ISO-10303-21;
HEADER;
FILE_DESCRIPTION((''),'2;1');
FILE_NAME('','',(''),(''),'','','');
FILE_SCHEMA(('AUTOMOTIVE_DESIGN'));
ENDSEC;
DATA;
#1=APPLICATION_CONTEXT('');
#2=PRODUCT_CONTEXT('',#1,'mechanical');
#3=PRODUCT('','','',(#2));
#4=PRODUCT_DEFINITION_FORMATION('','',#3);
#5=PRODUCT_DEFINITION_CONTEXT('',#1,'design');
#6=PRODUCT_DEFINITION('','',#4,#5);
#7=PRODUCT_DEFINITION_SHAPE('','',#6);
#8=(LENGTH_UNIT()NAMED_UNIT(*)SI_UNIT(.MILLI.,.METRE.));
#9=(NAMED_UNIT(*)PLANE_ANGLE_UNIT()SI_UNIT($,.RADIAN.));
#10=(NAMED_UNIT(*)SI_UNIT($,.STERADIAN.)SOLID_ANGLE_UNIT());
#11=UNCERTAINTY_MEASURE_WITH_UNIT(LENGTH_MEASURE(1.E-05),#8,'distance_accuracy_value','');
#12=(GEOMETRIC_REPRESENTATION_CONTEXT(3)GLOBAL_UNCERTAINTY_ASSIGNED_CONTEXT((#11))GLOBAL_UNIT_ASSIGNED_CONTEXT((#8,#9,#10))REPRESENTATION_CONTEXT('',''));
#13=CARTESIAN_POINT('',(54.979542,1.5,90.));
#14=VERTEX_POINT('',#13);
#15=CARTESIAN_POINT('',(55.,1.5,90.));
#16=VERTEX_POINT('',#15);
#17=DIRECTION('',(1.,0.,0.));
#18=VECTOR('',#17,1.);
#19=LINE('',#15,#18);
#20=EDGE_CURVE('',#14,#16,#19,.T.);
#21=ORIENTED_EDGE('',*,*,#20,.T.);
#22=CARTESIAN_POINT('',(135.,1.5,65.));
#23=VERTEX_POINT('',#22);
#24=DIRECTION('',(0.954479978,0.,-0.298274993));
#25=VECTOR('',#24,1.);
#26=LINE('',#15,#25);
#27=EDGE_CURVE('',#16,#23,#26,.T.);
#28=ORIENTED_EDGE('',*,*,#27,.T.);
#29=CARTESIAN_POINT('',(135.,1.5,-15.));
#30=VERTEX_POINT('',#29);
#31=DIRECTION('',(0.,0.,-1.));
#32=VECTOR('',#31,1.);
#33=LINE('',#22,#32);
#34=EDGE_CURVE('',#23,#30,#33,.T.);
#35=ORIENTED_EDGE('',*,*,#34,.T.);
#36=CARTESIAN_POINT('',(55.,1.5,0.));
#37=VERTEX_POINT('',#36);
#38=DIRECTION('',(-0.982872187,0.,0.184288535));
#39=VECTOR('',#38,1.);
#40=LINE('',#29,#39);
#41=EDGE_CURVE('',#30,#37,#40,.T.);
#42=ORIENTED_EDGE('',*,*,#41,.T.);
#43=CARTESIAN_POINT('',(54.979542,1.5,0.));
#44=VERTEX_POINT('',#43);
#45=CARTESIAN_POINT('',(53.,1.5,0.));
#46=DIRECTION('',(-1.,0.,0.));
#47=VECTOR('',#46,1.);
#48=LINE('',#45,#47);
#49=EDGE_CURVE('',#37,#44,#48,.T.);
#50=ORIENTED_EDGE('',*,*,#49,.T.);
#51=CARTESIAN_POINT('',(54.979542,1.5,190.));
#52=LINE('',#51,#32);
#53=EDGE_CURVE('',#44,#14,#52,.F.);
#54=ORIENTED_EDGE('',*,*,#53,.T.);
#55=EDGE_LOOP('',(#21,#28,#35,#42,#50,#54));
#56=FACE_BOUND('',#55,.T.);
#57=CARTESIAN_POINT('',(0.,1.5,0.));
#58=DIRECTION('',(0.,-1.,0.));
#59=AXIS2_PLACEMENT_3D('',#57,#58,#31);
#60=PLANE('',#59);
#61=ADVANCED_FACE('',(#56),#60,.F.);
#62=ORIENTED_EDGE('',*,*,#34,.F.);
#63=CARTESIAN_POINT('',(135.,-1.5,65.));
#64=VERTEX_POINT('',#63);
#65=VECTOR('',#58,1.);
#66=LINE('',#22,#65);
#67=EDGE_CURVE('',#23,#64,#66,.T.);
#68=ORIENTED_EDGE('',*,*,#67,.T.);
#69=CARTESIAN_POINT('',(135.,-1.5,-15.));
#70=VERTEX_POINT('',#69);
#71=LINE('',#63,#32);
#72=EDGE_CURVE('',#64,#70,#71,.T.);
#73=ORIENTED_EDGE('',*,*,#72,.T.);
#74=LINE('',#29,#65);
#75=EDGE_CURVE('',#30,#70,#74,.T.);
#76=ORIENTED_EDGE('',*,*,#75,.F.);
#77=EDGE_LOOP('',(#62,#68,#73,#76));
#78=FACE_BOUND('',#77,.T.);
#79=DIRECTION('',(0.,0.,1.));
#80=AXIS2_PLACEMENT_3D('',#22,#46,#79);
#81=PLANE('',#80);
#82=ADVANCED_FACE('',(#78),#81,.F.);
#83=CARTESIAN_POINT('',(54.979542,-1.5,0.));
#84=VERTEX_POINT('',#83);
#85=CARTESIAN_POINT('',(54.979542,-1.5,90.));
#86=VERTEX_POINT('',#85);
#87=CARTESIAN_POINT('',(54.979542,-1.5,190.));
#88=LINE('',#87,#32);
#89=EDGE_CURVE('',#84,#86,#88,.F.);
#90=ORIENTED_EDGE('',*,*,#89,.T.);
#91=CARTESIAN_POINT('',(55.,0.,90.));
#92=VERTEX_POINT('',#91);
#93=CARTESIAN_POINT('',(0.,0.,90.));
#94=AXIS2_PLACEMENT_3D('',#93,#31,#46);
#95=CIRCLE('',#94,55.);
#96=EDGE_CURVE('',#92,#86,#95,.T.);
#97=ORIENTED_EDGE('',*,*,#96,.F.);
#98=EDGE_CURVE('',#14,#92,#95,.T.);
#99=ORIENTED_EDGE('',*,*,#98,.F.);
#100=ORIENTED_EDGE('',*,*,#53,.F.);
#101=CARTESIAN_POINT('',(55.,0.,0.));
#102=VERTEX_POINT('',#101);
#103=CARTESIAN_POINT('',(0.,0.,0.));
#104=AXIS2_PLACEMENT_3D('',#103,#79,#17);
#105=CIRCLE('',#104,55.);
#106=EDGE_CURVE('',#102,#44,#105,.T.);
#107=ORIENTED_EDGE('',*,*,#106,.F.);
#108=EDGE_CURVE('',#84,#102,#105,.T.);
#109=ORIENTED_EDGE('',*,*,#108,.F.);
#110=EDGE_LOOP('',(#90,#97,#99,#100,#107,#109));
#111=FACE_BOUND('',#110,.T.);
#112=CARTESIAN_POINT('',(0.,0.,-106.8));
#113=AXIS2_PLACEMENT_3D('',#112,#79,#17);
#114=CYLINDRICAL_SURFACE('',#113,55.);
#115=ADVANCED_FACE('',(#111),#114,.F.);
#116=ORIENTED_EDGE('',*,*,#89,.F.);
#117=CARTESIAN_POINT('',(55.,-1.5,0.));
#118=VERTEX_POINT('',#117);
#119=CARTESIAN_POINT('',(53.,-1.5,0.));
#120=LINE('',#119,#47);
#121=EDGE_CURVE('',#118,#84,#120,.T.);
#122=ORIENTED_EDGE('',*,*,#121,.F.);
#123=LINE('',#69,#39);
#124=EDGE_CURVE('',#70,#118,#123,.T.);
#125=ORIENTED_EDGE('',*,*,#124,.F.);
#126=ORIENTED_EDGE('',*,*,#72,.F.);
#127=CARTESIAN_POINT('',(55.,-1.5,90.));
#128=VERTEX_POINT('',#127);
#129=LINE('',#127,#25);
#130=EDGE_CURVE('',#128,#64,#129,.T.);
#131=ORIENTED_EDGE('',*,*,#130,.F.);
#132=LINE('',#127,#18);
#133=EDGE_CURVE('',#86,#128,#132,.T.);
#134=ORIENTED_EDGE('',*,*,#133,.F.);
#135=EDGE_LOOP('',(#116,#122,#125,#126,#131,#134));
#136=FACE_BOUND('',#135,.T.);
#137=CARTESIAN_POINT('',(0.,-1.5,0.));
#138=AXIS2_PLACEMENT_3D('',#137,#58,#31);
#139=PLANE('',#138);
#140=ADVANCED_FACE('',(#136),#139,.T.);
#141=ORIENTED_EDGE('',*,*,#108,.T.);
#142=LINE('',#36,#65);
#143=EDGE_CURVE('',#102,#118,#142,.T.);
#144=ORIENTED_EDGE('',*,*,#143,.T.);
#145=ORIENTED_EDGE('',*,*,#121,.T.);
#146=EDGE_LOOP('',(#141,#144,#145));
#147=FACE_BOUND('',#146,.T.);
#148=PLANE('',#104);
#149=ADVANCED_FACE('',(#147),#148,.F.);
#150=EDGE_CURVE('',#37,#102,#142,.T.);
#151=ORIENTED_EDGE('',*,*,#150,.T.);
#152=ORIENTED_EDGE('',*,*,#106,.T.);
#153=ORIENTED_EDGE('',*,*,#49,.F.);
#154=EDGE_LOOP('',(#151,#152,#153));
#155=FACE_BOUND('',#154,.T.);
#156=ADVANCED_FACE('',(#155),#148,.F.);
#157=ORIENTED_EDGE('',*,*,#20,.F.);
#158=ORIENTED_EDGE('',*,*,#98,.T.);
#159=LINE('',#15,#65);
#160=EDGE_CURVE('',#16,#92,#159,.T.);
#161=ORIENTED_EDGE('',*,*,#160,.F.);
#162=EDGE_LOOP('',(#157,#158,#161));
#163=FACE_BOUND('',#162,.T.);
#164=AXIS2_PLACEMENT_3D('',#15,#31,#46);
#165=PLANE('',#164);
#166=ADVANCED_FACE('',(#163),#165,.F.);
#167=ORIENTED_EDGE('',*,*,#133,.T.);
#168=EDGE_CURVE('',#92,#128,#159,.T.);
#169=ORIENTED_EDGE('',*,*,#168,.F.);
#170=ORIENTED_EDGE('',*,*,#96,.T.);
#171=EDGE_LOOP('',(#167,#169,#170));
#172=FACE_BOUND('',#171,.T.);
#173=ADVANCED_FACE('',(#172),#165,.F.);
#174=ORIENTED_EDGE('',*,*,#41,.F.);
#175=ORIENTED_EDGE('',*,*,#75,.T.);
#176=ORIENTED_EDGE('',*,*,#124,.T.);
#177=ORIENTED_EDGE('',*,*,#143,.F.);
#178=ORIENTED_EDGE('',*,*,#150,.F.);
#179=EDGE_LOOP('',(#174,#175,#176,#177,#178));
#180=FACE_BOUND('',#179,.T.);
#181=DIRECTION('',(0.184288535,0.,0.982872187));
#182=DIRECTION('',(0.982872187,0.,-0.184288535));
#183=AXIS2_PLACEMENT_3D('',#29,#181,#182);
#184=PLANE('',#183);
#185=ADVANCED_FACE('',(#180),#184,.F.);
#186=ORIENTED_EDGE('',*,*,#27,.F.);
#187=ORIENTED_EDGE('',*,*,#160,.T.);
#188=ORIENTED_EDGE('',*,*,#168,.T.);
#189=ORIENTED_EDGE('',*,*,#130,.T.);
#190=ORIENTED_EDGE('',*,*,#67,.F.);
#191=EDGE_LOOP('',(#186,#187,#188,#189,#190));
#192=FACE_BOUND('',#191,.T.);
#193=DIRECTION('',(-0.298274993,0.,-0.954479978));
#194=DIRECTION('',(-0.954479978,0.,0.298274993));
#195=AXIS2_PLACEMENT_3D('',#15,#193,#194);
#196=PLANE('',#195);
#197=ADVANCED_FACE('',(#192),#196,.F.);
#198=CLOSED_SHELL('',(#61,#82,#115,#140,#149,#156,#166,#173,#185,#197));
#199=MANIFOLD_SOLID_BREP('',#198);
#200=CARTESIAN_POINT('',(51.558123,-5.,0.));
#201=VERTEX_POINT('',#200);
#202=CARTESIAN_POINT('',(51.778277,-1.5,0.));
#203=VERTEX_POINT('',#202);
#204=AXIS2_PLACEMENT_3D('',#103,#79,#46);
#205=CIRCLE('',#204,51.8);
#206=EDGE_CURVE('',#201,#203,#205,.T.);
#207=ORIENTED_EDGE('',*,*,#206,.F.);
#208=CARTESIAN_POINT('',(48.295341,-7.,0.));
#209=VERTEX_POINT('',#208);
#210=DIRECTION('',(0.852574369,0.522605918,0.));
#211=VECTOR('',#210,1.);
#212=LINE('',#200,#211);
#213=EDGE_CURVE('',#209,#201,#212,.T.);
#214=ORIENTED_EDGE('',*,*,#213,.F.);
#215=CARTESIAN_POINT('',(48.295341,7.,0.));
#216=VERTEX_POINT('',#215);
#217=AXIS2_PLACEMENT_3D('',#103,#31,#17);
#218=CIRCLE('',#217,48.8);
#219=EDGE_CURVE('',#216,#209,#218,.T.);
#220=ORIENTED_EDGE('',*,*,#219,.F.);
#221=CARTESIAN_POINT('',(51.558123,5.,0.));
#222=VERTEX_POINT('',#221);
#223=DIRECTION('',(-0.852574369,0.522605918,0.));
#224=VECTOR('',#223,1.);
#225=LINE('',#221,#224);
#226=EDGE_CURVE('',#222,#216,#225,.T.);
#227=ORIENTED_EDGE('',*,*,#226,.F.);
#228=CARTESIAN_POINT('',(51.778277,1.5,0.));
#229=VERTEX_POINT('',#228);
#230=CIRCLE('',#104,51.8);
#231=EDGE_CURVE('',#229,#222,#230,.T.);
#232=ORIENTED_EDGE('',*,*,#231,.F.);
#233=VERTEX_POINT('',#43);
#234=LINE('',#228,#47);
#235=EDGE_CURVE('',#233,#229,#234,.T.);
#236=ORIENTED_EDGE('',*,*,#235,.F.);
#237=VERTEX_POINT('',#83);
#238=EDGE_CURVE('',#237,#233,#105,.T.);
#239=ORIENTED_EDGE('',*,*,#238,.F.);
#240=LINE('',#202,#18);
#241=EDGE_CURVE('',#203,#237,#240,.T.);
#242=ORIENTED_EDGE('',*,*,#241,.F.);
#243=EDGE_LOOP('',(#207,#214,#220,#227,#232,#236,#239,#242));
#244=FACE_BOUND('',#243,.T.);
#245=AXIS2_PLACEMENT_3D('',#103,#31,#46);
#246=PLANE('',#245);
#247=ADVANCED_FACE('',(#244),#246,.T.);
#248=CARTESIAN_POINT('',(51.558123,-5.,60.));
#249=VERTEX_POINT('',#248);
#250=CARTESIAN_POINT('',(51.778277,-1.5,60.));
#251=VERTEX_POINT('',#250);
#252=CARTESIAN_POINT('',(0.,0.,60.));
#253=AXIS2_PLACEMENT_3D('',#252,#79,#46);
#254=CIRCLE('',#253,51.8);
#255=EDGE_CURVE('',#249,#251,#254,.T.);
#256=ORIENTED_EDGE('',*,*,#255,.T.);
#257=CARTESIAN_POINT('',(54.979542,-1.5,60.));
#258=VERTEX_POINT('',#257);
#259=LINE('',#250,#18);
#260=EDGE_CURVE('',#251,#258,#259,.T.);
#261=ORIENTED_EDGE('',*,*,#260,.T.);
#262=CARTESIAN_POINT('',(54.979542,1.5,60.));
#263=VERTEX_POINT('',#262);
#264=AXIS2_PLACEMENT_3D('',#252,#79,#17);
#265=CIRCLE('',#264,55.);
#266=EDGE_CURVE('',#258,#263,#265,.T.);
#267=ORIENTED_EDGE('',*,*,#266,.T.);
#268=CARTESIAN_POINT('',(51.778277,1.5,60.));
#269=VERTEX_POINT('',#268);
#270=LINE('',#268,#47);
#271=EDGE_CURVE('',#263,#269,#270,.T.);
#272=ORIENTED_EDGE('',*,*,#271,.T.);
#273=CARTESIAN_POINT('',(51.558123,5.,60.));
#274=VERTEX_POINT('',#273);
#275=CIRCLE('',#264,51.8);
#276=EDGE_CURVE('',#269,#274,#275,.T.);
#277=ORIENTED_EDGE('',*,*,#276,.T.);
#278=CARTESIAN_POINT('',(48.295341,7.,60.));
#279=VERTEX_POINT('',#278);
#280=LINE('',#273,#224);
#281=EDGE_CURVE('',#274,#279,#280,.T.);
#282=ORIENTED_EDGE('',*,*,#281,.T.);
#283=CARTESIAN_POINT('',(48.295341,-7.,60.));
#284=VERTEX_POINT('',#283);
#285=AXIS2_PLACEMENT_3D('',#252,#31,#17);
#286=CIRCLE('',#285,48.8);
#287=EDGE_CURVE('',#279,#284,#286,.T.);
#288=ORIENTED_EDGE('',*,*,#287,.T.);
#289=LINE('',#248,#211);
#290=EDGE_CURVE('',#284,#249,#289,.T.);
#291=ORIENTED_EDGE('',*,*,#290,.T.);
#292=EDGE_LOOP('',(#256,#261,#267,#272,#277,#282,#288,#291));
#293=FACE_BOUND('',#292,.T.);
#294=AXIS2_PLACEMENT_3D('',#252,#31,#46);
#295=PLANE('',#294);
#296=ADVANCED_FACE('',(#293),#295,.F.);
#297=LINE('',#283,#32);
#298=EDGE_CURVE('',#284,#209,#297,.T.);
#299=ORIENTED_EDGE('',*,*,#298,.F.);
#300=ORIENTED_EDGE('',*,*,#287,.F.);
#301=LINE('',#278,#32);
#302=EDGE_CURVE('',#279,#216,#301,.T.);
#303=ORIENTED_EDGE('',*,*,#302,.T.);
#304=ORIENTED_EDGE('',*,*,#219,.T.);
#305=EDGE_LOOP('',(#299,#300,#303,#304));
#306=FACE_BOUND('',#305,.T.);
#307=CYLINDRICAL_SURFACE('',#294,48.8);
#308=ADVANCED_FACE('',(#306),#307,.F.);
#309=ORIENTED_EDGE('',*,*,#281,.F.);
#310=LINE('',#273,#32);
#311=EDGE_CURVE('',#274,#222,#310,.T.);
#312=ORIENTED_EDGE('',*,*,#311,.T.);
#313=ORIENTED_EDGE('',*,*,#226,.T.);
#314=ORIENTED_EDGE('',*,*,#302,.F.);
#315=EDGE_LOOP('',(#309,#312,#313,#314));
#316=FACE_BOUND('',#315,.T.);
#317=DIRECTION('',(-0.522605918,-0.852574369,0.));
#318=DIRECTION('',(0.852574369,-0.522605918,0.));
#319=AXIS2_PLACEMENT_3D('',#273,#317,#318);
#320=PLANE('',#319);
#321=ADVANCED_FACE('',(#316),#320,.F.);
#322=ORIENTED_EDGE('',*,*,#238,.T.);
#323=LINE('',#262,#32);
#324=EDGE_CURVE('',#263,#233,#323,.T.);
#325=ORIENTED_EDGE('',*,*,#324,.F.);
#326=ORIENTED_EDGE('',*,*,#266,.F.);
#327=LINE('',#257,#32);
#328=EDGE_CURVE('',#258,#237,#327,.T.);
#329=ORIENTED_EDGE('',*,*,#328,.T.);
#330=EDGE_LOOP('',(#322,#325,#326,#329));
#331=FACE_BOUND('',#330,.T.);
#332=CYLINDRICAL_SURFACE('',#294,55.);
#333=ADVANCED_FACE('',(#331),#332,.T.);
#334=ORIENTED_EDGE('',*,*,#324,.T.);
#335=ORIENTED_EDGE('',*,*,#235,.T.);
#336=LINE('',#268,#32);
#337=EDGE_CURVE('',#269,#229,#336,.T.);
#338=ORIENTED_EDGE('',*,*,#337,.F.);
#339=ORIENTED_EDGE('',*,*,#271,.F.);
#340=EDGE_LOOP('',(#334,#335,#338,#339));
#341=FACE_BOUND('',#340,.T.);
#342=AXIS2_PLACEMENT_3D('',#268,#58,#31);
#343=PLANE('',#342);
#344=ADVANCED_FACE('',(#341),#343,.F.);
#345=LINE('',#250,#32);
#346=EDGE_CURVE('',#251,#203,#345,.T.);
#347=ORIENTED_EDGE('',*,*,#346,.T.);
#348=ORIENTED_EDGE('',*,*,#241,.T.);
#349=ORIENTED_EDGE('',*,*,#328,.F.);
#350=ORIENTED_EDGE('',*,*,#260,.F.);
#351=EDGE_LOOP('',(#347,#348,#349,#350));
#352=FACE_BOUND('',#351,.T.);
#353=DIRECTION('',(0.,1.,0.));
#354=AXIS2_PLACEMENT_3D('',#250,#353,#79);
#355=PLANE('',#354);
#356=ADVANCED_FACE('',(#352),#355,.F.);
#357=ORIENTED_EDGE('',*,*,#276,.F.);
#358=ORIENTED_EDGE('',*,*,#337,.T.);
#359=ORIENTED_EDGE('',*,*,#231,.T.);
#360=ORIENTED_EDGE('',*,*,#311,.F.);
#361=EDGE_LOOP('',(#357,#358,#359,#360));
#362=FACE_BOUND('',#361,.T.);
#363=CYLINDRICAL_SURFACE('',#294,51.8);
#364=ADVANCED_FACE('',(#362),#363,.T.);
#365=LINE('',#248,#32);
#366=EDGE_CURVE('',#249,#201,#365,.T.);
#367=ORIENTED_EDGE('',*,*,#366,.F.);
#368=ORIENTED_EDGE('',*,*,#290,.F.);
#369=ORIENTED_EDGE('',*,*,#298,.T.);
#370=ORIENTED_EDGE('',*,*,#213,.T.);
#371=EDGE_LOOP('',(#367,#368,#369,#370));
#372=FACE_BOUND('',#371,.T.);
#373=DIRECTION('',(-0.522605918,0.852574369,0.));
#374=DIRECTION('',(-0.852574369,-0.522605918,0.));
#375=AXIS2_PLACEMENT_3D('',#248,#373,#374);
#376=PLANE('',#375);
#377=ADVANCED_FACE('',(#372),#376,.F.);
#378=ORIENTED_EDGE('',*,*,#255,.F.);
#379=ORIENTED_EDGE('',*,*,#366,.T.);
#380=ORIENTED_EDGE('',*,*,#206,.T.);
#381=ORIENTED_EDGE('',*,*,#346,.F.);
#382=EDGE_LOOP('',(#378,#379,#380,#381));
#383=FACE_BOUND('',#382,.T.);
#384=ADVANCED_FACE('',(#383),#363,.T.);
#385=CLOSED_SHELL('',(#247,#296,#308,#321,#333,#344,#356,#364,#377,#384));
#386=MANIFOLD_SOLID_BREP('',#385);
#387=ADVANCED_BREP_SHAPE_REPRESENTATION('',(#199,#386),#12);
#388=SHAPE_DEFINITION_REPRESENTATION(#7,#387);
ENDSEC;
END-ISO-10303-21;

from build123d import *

# Parameters (mm, degrees)
SKETCH_1_R          = 55
EXTRUDE_1_DEPTH     = 190
SKETCH_2_R          = 51.8
CUT_EXTRUDE_1_DEPTH = 186.8
SKETCH_3_R          = 15
CUT_EXTRUDE_2_DEPTH = 10
SKETCH_4_R          = 18.2
SKETCH_4_R_2        = 15
EXTRUDE_2_DEPTH     = 188
SKETCH_5_R          = 55
EXTRUDE_5_DEPTH     = 3.2
EXTRUDE_6_DEPTH     = 1.5
CUT_EXTRUDE_START   = -300
CUT_EXTRUDE_3_DEPTH = 300
EXTRUDE_7_DEPTH     = 60


with BuildPart() as part:
    # 草图1 → 凸台-拉伸1 (new body)
    with BuildSketch(Plane.XY):
        Circle(SKETCH_1_R)
    extrude(amount=EXTRUDE_1_DEPTH)

    # 草图2 → 切除-拉伸1 (cut)
    with BuildSketch(Plane.XY.offset(190)):
        Circle(SKETCH_2_R)
    extrude(amount=-CUT_EXTRUDE_1_DEPTH, mode=Mode.SUBTRACT)

    # 草图3 → 切除-拉伸2 (cut)
    with BuildSketch(Plane(origin=(0, 0, 0), x_dir=(-1, 0, 0), z_dir=(0, 0, -1))):
        Circle(SKETCH_3_R)
    extrude(amount=-CUT_EXTRUDE_2_DEPTH, mode=Mode.SUBTRACT)

    # 草图4 → 凸台-拉伸2 (add)
    with BuildSketch(Plane.XY.offset(3.2)):
        Circle(SKETCH_4_R)
        with Locations(Location((0, 0, 0), (0, 0, 180))):
            Circle(SKETCH_4_R_2, mode=Mode.SUBTRACT)
    extrude(amount=EXTRUDE_2_DEPTH)

    # 草图5 → 凸台-拉伸5 (add)
    with BuildSketch(Plane.XY.offset(190)):
        Circle(SKETCH_5_R)
    extrude(amount=EXTRUDE_5_DEPTH)

    # 草图8 → 凸台-拉伸6 (add, symmetric)
    with BuildSketch(Plane(origin=(0, 0, 0), x_dir=(-1, 0, 0), z_dir=(0, 1, 0))):
        Polygon((-55, 90), (-135, 65), (-135, -15), (-55, 0), (-53, 0), (-53, 90), align=None)
    extrude(amount=EXTRUDE_6_DEPTH, both=True)

    # 草图9 → 切除-拉伸3 (cut)
    with BuildSketch(Plane.XY.offset(193.2).offset(CUT_EXTRUDE_START)):
        with BuildLine():
            Line((24.339487832, -49.321286805), (24.339487832, -150.159347116))
            Line((24.339487832, -150.159347116), (-116.243890066, -150.159347116))
            Line((-116.243890066, -150.159347116), (-116.243890066, 159.53157231))
            Line((-116.243890066, 159.53157231), (24.339487832, 159.53157231))
            Line((24.339487832, 159.53157231), (24.339487832, 49.321286805))
            ThreePointArc((24.339487832, 49.321286805), (55, 0), (24.339487832, -49.321286805))
        make_face()
    extrude(amount=CUT_EXTRUDE_3_DEPTH, mode=Mode.SUBTRACT)


with BuildPart() as body_2:
    # 草图10 → 凸台-拉伸7 (new body)
    with BuildSketch(Plane(origin=(55, 0, 0), x_dir=(1, 0, 0), z_dir=(0, 0, 1))):
        with BuildLine():
            Line((-3.221722702, 1.5), (-0.02045835, 1.5))
            ThreePointArc((-0.02045835, 1.5), (0, 0), (-0.02045835, -1.5))
            Line((-0.02045835, -1.5), (-3.221722702, -1.5))
            ThreePointArc((-3.221722702, -1.5), (-3.302172357, -3.251863624), (-3.441877459, -5))
            Line((-3.441877459, -5), (-6.70465861, -7))
            ThreePointArc((-6.70465861, -7), (-6.2, 0), (-6.70465861, 7))
            Line((-6.70465861, 7), (-3.441877459, 5))
            ThreePointArc((-3.441877459, 5), (-3.302172357, 3.251863624), (-3.221722702, 1.5))
        make_face()
    extrude(amount=EXTRUDE_7_DEPTH)


solid = Compound([part.part, body_2.part])
